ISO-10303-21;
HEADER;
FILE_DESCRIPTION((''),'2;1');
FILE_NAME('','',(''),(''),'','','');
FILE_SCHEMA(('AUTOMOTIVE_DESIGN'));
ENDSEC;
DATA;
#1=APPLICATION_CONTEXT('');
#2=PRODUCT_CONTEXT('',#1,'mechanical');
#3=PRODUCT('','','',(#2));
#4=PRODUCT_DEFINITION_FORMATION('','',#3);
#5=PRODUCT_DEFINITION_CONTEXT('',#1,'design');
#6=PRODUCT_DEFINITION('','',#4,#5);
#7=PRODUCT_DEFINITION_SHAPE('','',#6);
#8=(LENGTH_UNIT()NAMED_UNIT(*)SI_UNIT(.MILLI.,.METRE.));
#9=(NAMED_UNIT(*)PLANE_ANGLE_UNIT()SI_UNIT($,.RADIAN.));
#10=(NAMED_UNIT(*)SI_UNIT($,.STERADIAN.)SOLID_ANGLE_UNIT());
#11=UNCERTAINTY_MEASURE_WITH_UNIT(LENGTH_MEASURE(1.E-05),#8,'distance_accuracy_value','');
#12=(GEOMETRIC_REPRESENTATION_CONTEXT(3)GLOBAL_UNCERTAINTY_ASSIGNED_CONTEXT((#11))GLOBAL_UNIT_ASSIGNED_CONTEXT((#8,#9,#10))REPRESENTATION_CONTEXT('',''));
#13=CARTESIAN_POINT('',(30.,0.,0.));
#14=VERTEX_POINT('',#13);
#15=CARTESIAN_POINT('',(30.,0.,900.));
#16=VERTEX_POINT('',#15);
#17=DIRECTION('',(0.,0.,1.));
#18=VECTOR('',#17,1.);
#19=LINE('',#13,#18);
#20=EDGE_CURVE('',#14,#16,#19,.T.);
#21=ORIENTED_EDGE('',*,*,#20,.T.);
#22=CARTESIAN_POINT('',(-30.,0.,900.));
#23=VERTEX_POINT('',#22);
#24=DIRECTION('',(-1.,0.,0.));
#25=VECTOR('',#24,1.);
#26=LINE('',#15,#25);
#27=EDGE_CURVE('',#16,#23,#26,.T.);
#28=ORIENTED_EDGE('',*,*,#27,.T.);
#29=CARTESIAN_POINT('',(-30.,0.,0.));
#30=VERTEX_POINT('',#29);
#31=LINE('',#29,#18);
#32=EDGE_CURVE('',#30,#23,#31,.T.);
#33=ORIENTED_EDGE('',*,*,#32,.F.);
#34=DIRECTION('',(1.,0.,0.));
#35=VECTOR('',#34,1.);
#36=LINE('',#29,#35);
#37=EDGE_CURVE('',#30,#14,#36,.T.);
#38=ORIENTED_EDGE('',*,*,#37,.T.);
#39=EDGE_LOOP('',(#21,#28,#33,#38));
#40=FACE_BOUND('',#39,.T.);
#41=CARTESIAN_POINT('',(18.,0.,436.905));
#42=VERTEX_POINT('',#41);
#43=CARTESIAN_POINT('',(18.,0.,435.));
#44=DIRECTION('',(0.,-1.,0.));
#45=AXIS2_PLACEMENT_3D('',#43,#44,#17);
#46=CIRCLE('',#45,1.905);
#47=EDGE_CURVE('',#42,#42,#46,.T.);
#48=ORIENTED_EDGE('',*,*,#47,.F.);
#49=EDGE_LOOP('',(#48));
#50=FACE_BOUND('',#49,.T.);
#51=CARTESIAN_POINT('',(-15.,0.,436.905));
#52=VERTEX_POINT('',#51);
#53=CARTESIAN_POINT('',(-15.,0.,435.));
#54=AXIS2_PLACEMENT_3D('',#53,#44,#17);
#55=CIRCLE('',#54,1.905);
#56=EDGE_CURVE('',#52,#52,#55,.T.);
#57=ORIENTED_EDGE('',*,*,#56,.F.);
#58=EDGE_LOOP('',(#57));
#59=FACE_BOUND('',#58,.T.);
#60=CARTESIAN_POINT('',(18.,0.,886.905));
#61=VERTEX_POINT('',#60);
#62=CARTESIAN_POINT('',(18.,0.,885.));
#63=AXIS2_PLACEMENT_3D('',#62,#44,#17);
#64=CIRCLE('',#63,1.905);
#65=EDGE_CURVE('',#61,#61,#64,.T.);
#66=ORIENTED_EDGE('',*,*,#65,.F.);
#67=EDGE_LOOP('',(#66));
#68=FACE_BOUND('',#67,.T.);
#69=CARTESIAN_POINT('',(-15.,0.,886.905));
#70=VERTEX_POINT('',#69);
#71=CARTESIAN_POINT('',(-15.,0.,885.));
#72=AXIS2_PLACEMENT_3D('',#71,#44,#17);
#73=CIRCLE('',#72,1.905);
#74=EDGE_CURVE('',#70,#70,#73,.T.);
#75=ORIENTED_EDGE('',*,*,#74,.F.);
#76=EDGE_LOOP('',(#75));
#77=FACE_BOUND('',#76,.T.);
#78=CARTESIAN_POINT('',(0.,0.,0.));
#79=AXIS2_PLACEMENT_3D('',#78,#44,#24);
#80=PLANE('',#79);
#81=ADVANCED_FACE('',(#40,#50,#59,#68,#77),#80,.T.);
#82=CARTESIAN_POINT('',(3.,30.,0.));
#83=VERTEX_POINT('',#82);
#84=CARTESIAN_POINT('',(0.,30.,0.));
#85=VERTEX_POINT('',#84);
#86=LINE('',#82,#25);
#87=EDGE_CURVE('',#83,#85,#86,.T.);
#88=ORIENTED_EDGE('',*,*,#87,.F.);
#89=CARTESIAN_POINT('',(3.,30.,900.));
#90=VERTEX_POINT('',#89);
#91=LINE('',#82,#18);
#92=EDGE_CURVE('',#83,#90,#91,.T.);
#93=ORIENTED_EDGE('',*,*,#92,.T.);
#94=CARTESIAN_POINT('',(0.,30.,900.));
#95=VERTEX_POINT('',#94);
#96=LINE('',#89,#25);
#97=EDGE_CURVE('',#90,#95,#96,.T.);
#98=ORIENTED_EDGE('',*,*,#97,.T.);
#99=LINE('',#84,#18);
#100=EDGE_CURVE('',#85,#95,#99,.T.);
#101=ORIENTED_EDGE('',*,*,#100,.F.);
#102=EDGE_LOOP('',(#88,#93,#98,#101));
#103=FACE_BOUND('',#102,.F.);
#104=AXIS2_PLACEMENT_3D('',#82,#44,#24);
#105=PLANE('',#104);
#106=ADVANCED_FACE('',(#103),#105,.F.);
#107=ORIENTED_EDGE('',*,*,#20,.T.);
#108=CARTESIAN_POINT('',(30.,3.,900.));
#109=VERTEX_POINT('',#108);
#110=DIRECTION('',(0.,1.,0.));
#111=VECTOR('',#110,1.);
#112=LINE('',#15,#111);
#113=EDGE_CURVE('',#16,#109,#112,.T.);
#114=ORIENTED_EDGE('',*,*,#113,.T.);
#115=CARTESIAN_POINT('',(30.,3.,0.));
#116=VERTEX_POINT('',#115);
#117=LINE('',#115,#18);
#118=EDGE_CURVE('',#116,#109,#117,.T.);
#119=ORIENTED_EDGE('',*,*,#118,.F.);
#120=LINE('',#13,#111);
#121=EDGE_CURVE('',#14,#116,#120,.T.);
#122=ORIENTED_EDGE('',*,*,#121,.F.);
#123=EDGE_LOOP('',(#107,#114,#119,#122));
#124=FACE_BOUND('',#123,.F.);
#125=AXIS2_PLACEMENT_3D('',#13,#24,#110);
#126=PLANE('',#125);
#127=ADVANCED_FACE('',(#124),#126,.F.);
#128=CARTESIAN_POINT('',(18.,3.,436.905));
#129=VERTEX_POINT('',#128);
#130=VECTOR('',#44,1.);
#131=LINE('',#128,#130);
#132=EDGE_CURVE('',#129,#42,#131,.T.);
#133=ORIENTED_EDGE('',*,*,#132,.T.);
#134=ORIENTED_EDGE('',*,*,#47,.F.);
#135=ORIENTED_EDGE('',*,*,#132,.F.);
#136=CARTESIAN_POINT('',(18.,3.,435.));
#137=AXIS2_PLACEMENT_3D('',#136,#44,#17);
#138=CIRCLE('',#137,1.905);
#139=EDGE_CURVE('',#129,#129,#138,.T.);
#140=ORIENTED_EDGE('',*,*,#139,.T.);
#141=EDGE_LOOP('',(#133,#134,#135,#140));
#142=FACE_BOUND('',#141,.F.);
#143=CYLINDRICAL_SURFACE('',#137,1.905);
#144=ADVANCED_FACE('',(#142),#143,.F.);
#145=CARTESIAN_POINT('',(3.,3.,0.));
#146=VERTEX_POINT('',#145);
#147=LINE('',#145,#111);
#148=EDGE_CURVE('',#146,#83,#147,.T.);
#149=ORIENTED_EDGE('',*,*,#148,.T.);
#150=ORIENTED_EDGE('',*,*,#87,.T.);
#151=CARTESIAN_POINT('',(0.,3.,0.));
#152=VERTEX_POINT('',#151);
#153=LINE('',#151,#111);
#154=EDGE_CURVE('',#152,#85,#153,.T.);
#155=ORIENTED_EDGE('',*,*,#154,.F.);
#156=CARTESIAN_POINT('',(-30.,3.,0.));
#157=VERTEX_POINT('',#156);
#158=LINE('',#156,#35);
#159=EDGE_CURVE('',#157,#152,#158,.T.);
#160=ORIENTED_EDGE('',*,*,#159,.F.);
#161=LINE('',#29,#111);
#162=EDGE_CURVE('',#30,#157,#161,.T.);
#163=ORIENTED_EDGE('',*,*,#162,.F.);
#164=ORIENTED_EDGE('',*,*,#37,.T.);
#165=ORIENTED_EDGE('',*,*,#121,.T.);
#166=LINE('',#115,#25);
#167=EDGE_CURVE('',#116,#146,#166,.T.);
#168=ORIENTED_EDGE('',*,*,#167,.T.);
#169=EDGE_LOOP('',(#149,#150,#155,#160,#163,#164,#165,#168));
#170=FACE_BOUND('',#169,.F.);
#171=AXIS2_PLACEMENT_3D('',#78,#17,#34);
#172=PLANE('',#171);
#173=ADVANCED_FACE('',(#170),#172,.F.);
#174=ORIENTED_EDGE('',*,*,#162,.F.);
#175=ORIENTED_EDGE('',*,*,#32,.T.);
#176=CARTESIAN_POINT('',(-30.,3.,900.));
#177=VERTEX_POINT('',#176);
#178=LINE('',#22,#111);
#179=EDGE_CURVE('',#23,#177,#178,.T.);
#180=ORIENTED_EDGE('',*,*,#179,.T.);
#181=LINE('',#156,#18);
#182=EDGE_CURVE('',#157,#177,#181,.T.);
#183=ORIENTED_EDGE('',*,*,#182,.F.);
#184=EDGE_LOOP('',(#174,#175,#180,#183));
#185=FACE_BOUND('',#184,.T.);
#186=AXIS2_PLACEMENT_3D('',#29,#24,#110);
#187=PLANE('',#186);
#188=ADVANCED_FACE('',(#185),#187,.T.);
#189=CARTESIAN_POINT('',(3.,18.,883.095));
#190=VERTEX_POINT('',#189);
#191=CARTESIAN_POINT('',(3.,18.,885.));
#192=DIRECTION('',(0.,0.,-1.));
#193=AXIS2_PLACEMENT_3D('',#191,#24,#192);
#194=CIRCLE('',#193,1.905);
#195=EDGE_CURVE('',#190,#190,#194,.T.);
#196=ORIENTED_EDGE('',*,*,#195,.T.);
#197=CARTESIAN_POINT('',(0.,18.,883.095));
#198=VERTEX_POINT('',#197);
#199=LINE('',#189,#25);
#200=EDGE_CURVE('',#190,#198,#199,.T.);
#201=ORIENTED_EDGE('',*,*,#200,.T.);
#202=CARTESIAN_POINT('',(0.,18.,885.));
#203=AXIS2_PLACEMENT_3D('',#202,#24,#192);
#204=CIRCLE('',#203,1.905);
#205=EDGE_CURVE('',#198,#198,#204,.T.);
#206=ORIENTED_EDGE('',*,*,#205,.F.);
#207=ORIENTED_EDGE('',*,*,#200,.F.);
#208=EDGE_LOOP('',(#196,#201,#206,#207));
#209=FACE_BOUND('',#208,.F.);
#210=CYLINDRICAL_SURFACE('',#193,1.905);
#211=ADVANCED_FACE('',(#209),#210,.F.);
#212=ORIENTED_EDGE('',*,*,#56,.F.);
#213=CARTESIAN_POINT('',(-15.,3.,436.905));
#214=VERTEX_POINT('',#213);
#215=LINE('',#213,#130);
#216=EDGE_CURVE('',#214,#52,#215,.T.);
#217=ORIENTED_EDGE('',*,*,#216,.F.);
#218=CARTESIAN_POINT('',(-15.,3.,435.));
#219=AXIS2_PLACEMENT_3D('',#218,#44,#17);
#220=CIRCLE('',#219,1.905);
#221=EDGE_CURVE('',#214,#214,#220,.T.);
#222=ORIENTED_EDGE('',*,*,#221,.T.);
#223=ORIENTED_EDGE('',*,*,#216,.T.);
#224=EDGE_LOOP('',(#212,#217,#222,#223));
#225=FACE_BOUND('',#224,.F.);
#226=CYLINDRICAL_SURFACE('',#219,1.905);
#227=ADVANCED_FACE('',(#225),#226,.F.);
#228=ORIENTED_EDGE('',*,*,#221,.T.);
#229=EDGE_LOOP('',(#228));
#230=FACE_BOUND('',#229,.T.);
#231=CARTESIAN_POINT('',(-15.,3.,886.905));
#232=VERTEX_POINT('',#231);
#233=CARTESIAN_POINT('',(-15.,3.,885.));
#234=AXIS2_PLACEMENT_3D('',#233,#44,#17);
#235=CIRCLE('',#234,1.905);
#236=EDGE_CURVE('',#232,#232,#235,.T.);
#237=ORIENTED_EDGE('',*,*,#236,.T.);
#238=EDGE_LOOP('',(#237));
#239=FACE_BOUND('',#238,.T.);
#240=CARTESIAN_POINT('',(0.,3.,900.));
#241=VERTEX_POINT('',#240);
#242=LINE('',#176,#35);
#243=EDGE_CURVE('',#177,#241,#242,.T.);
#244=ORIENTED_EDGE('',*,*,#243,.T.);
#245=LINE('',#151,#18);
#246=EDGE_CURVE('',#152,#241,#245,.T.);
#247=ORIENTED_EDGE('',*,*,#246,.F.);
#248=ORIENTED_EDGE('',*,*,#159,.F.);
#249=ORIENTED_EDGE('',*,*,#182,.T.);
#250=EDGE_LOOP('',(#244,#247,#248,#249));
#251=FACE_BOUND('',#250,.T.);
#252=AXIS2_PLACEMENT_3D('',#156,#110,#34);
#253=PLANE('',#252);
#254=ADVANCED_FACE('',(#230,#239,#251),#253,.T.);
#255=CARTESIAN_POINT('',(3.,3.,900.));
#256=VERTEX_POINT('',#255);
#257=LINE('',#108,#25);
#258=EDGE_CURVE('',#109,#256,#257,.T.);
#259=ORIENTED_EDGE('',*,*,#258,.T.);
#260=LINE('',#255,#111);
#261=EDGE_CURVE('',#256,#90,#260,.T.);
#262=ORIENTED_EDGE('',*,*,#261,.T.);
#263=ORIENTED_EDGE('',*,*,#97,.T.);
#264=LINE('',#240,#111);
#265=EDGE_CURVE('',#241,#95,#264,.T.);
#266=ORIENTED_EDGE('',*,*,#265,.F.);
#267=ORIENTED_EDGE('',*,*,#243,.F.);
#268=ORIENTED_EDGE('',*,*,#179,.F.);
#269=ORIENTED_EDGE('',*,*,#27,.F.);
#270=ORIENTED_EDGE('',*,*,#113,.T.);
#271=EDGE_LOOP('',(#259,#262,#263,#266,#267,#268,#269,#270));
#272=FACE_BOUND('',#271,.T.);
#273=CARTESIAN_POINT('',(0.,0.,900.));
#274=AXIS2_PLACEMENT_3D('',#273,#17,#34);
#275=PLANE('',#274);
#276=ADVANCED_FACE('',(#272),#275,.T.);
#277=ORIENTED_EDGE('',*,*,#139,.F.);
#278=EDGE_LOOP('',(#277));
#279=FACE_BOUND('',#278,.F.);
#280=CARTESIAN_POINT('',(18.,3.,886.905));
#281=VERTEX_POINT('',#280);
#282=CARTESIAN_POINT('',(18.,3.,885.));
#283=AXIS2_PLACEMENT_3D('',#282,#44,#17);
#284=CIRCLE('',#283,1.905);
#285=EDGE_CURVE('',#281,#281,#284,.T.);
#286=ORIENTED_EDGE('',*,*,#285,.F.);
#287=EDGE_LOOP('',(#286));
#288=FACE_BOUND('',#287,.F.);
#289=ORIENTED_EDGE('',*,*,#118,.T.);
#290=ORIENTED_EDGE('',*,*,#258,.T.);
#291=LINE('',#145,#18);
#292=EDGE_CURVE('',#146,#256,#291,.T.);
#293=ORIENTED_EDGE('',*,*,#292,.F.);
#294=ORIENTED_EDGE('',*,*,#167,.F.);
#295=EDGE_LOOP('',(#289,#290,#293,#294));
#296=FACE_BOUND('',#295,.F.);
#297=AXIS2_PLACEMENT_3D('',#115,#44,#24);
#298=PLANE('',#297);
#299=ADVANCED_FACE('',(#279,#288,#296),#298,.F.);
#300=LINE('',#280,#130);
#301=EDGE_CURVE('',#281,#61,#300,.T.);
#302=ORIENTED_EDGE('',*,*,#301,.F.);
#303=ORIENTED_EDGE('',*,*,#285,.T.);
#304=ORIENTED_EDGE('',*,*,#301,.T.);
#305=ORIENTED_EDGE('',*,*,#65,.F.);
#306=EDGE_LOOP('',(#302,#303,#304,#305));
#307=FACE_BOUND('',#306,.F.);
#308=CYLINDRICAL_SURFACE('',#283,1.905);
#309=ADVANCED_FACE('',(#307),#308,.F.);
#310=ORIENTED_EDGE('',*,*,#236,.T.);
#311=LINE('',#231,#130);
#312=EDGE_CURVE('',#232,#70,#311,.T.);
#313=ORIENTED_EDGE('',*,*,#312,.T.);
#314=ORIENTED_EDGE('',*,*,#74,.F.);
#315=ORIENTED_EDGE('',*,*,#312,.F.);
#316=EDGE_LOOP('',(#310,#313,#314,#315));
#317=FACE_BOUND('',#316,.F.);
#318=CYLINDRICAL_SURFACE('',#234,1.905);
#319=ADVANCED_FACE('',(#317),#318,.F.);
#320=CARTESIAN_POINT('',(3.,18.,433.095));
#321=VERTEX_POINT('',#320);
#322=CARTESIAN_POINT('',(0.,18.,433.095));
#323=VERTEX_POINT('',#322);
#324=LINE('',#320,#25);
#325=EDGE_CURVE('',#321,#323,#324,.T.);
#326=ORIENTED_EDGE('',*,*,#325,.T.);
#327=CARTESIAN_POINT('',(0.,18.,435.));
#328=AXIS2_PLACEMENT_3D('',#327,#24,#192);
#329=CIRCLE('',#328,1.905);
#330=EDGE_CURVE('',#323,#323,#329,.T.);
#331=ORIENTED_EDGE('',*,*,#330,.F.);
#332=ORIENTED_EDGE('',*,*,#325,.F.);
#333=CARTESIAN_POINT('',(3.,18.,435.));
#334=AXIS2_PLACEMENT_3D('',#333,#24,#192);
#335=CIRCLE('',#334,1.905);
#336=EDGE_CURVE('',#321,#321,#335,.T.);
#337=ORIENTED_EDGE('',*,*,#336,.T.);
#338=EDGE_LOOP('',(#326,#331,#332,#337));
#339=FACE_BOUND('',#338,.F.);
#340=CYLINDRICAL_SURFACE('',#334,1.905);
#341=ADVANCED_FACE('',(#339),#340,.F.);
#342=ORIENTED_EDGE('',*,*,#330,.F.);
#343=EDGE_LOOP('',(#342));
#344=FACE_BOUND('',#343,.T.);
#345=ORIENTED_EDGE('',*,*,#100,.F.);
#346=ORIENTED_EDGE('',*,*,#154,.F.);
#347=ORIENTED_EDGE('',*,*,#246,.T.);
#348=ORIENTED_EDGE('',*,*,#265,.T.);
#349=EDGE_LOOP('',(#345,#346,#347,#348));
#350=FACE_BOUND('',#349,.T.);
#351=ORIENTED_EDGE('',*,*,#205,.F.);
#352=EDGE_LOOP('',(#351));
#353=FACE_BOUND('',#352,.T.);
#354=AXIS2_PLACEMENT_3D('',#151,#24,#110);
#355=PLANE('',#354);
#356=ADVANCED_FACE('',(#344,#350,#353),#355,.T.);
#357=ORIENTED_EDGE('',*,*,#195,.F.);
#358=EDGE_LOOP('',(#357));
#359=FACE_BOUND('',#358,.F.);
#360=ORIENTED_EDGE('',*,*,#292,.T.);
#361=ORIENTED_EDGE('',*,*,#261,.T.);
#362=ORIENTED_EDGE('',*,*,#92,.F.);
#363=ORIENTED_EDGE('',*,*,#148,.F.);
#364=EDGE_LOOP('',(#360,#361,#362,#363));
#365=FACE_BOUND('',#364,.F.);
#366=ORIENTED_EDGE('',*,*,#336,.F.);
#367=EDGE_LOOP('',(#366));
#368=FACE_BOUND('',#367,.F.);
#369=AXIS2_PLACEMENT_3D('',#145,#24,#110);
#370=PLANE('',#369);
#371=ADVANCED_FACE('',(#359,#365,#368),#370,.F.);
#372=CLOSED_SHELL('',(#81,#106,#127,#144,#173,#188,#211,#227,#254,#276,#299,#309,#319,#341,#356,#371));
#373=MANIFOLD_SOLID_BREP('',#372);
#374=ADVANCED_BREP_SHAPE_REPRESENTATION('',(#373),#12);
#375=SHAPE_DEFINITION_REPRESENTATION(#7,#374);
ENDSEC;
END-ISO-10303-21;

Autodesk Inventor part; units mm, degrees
ref_plane "YZ Plane" through (0, 0, 0) normal (1, 0, 0) x (0, 1, 0)
ref_plane "XZ Plane" through (0, 0, 0) normal (0, 1, 0) x (-1, 0, 0)
ref_plane "XY Plane" through (0, 0, 0) normal (0, 0, 1) x (1, 0, 0)
sketch "Sketch1" plane through (0, 0, 0) normal (0, 0, 1) x (1, 0, 0)
  line L0 (0, 0) -> (30, 0)
  line L1 (30, 0) -> (30, 3)
  line L2 (30, 3) -> (3, 3)
  line L3 (3, 3) -> (3, 30)
  line L4 (3, 30) -> (0, 30)
  line L5 (0, 0) -> (-30, 0)
  line L6 (-30, 0) -> (-30, 3)
  line L7 (-30, 3) -> (0, 3)
  line L8 (0, 3) -> (0, 30)
  dimension "d0" = 3
  dimension "d2" = 30
  dimension "d5" = 3
extrude "Extrusion1" add sketch "Sketch1" along normal blind 900
sketch "Sketch2" plane through (3, 3, 900) normal (0, 1, 0) x (1, 0, 0)
  line L0 (-3, 0) -> (-33, 0) projected
  line L1 (-3, 900) -> (-3, 0) projected
  line L2 (0, 900) -> (0, 0) projected
  line L3 (27, 0) -> (0, 0) projected
  point P0 (15, 15)
  point P1 (-18, 15)
  point P2 (-18, 465)
  point P3 (15, 465)
  point P4 (15, 915)
  point P5 (-18, 915)
  point P6 (-18, 1365)
  point P7 (15, 1365)
  dimension "d8" = 15
  dimension "d9" = 15
  dimension "d10" = 15
  dimension "d11" = 15
  dimension "d12" = 450
  dimension "d13" = 450
  dimension "d14" = 15
  dimension "d15" = 15
  dimension "d16" = 450
  dimension "d17" = 450
  dimension "d18" = 15
  dimension "d19" = 15
  dimension "d20" = 450
  dimension "d21" = 450
  dimension "d22" = 15
  dimension "d23" = 15
hole "Hole1" at (18, 3, 885) at (-15, 3, 885) at (-15, 3, 435) at (18, 3, 435) at (18, 3, -15) at (-15, 3, -15) at (-15, 3, -465) at (18, 3, -465) direction (0, -1, 0) diameter 3.81 end through all
sketch "Sketch3" plane through (3, 30, 900) normal (1, 0, 0) x (0, 0, -1)
  line L0 (0, -27) -> (0, 0) projected
  line L1 (900, -27) -> (0, -27) projected
  point P0 (900, -30)
  point P1 (15, -12)
  point P2 (465, -12)
  point P3 (915, -12)
  point P4 (1365, -12)
  dimension "d31" = 15
  dimension "d32" = 15
  dimension "d33" = 450
  dimension "d34" = 15
  dimension "d35" = 450
  dimension "d36" = 450
  dimension "d37" = 15
  dimension "d38" = 15
hole "Hole2" at (3, 18, 885) at (3, 18, 435) at (3, 18, -15) at (3, 18, -465) direction (-1, 0, 0) diameter 3.81 end through all
equation "\"d0\" = Thickness"
equation "\"d2\" = Width"
equation "\"d5\" = Thickness"
equation "\"d6\" = Height"
equation "\"d8\" = HoleDistance"
equation "\"d9\" = HoleDistance"
equation "\"d10\" = HoleDistance"
equation "\"d11\" = HoleDistance"
equation "\"d14\" = HoleDistance"
equation "\"d15\" = HoleDistance"
equation "\"d18\" = HoleDistance"
equation "\"d19\" = HoleDistance"
equation "\"d22\" = HoleDistance"
equation "\"d23\" = HoleDistance"
equation "\"d31\" = HoleDistance"
equation "\"d32\" = HoleDistance"
equation "\"d34\" = HoleDistance"
equation "\"d37\" = HoleDistance"
equation "\"d38\" = HoleDistance"
equation "\"Width\" = 30"
equation "\"Thickness\" = 3"
equation "\"Height\" = 900"
equation "\"HoleDistance\" = 15"
properties part number "mid90"
